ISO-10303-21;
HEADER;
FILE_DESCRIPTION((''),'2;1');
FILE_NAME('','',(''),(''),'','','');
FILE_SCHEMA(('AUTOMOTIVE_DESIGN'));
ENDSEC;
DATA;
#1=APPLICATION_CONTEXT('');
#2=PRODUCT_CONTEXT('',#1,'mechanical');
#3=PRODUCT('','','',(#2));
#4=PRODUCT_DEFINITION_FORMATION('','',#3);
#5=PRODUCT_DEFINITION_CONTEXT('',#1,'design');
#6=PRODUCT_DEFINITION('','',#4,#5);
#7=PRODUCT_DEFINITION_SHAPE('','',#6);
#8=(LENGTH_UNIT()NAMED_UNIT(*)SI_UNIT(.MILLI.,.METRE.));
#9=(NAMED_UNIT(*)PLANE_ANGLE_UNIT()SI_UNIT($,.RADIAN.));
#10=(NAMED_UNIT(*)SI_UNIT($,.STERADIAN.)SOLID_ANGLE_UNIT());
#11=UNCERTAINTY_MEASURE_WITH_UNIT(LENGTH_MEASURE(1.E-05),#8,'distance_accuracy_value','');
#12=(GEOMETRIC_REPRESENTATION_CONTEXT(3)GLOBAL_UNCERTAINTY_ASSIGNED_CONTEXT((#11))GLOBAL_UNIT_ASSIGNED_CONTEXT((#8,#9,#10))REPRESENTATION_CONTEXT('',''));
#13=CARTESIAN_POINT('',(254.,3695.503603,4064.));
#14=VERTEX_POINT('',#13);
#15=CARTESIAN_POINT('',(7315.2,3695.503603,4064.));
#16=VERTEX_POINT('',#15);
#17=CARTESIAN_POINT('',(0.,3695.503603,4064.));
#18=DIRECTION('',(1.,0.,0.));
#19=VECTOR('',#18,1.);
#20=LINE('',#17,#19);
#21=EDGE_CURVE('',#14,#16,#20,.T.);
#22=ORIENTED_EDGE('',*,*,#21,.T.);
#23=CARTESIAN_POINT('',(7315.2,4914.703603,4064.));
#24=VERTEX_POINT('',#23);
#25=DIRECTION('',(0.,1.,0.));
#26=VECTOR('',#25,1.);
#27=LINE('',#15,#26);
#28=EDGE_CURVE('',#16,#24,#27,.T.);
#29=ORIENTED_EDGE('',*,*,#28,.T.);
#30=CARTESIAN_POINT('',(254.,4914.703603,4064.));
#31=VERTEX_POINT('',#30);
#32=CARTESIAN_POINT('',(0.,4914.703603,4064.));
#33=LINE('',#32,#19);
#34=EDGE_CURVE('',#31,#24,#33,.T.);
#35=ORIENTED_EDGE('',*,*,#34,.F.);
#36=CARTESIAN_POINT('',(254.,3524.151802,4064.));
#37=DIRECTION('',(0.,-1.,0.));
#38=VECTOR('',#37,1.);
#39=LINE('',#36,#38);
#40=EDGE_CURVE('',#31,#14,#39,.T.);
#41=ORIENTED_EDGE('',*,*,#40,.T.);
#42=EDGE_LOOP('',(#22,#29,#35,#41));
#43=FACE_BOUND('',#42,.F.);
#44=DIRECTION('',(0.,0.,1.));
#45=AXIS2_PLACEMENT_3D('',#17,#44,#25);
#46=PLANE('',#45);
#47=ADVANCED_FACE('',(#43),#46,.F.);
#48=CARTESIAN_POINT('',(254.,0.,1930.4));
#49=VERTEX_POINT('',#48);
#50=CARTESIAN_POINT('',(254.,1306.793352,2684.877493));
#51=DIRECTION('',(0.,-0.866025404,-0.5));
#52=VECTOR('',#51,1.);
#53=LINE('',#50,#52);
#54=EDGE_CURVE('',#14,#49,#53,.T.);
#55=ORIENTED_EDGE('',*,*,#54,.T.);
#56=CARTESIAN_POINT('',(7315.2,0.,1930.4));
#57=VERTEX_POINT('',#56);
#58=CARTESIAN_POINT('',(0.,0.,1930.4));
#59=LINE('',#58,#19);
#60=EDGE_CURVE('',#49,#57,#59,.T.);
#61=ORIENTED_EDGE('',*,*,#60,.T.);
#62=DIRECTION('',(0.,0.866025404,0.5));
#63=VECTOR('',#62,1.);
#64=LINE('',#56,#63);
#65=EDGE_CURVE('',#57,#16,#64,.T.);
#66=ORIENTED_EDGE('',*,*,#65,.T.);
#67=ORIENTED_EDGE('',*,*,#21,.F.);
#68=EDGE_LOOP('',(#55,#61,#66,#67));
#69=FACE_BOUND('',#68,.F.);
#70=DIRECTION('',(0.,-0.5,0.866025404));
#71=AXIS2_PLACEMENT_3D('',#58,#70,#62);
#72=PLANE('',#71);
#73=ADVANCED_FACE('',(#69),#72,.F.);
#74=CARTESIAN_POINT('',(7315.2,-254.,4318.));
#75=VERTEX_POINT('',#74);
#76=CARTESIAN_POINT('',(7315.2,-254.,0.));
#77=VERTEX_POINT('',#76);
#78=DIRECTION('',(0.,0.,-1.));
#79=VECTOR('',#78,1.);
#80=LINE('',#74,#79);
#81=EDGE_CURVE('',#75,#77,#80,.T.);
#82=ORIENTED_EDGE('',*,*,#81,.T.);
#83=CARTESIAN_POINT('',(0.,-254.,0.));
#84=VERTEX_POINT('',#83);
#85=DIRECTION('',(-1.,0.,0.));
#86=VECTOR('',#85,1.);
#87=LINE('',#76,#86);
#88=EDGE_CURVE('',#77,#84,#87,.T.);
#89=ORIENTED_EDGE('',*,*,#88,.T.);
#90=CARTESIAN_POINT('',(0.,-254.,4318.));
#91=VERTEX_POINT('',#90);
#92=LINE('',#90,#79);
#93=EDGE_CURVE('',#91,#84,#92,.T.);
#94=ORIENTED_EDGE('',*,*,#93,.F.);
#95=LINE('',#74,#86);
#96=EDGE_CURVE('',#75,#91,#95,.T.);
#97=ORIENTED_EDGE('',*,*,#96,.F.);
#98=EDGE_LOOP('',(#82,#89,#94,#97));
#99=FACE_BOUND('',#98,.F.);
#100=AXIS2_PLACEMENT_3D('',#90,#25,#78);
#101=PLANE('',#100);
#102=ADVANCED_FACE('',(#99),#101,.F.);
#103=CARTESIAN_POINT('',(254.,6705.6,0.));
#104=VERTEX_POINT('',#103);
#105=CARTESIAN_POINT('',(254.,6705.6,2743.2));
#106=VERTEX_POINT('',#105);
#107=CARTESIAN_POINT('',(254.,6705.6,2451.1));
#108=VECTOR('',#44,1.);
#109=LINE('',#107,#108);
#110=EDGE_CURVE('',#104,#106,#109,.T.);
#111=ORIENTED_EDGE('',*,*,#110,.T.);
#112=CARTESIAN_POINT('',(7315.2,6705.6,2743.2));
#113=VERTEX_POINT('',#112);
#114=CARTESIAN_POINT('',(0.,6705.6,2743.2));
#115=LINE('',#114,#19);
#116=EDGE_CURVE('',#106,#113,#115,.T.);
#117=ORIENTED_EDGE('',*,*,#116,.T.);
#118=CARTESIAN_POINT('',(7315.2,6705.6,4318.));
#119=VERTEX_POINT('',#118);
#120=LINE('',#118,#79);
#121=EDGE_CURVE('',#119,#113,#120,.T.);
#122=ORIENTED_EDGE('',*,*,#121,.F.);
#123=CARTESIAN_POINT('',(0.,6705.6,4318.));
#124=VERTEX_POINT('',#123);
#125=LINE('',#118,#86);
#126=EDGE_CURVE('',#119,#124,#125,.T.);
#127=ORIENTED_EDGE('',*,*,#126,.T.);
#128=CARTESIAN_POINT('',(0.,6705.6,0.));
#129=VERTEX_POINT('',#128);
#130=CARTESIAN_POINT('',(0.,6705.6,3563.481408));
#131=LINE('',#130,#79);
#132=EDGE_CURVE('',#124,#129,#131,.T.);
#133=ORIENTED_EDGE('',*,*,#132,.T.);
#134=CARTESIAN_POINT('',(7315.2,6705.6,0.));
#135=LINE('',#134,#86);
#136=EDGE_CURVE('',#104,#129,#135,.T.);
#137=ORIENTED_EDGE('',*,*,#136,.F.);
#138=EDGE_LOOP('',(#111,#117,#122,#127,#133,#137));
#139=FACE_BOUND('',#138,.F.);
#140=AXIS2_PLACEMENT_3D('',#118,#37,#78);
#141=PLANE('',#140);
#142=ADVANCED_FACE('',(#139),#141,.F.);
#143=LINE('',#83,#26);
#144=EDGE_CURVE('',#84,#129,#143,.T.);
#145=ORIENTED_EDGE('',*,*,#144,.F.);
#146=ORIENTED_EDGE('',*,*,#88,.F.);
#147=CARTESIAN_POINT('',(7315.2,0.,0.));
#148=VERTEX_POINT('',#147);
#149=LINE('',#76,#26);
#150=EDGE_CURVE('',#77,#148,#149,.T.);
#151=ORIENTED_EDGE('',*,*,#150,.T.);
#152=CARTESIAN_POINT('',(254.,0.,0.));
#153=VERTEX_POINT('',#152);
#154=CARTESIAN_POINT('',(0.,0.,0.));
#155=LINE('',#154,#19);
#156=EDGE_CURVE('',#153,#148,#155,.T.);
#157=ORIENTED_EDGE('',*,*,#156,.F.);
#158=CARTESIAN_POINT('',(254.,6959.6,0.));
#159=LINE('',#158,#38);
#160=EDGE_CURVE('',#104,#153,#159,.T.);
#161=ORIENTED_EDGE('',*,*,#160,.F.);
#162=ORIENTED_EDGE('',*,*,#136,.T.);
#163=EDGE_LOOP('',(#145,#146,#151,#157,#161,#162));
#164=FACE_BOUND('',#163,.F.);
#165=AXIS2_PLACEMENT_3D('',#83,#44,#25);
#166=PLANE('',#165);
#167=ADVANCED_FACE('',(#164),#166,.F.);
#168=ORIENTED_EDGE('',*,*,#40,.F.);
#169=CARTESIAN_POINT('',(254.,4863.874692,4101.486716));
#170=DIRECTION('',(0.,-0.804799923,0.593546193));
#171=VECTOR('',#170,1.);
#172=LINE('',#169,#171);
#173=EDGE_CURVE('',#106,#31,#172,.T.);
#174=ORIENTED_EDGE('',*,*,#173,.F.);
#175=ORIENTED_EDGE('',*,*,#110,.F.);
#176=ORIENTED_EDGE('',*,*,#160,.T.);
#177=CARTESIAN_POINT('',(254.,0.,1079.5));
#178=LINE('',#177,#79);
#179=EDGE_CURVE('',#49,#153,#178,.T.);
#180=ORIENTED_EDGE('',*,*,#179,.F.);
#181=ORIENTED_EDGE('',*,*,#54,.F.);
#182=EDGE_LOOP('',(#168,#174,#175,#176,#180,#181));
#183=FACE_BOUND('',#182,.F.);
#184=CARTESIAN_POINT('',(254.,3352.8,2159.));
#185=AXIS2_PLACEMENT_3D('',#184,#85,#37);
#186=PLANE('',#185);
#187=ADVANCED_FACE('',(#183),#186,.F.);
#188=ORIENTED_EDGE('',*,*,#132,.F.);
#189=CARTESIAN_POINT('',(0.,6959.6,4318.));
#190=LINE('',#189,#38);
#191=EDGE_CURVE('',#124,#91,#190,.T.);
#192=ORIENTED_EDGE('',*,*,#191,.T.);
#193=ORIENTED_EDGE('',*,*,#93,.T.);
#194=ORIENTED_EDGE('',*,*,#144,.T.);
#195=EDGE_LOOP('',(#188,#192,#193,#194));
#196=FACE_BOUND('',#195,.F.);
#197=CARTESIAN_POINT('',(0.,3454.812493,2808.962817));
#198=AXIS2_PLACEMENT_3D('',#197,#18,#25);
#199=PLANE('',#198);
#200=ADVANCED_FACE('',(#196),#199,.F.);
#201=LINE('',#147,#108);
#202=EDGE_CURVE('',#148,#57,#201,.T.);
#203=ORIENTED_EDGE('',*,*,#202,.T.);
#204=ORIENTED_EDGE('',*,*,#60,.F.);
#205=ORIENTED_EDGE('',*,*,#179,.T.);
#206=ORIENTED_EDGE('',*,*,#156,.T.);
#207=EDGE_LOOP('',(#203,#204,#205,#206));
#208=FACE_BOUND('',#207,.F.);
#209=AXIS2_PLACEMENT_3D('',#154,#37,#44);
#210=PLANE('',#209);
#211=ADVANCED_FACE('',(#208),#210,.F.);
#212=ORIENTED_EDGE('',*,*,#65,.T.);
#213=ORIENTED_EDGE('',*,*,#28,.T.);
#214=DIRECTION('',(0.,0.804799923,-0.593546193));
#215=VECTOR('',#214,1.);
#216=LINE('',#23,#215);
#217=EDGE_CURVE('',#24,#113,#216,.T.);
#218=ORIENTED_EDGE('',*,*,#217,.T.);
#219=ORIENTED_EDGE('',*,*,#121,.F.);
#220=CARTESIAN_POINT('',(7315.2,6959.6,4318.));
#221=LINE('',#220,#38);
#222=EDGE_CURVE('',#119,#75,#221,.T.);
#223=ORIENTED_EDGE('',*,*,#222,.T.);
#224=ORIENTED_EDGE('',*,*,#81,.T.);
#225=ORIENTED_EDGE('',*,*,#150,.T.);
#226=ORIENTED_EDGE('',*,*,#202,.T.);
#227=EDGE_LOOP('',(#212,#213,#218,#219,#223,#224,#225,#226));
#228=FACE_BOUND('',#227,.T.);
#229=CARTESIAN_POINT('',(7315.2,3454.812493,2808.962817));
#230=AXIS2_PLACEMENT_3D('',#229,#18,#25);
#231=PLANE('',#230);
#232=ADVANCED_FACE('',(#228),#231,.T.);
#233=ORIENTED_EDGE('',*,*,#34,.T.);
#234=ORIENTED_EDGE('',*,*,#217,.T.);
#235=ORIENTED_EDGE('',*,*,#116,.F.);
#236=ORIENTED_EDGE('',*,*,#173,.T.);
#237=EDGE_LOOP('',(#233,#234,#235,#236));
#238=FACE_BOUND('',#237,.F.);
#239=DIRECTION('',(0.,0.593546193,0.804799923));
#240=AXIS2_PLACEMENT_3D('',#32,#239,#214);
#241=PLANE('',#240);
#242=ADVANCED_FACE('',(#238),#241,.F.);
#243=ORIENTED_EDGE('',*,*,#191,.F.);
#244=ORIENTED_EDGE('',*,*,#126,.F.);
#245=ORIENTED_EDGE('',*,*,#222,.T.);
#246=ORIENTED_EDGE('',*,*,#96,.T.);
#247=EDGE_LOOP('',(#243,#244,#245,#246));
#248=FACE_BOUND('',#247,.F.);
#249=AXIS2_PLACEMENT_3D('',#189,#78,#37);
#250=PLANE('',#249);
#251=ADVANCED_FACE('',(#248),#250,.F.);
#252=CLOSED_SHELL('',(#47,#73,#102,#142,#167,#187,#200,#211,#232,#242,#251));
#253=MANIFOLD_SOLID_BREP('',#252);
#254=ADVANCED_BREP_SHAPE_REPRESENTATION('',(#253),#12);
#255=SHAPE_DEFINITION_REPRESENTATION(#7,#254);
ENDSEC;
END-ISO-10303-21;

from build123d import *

# Parameters (mm, degrees)
F1_DEPTH = 7315.2
F3_DEPTH = 254
F5_DEPTH = 7315.201


with BuildPart() as f1:
    # F0 (on Right) → F1 (new body)
    with BuildSketch(Plane.YZ):
        Polygon((-254, 0), (0, 0), (0, 1930.4), (3695.503603, 4064), (4914.703603, 4064), (6705.6, 2743.2), (6705.6, 0), (6959.6, 0), (6959.6, 4318), (-254, 4318), align=None)
    extrude(amount=F1_DEPTH)

    # F2 (on face) → F3 (join)
    with BuildSketch(Plane(origin=(0, 0, 0), x_dir=(0, -1, 0), z_dir=(-1, 0, 0))):
        Polygon((254, 0), (254, 4318), (-6959.6, 4318), (-6959.6, 0), (0, 0), align=None)
    extrude(amount=-F3_DEPTH)

    # F4 (on face) → F5 (cut, through all)
    with BuildSketch(Plane.YZ.offset(7315.2)):
        Polygon((6705.6, 2743.2), (6705.6, 0), (6959.6, 0), (6959.6, 4318), (6705.6, 4318), align=None)
    extrude(amount=-F5_DEPTH, mode=Mode.SUBTRACT)


solid = f1.part
